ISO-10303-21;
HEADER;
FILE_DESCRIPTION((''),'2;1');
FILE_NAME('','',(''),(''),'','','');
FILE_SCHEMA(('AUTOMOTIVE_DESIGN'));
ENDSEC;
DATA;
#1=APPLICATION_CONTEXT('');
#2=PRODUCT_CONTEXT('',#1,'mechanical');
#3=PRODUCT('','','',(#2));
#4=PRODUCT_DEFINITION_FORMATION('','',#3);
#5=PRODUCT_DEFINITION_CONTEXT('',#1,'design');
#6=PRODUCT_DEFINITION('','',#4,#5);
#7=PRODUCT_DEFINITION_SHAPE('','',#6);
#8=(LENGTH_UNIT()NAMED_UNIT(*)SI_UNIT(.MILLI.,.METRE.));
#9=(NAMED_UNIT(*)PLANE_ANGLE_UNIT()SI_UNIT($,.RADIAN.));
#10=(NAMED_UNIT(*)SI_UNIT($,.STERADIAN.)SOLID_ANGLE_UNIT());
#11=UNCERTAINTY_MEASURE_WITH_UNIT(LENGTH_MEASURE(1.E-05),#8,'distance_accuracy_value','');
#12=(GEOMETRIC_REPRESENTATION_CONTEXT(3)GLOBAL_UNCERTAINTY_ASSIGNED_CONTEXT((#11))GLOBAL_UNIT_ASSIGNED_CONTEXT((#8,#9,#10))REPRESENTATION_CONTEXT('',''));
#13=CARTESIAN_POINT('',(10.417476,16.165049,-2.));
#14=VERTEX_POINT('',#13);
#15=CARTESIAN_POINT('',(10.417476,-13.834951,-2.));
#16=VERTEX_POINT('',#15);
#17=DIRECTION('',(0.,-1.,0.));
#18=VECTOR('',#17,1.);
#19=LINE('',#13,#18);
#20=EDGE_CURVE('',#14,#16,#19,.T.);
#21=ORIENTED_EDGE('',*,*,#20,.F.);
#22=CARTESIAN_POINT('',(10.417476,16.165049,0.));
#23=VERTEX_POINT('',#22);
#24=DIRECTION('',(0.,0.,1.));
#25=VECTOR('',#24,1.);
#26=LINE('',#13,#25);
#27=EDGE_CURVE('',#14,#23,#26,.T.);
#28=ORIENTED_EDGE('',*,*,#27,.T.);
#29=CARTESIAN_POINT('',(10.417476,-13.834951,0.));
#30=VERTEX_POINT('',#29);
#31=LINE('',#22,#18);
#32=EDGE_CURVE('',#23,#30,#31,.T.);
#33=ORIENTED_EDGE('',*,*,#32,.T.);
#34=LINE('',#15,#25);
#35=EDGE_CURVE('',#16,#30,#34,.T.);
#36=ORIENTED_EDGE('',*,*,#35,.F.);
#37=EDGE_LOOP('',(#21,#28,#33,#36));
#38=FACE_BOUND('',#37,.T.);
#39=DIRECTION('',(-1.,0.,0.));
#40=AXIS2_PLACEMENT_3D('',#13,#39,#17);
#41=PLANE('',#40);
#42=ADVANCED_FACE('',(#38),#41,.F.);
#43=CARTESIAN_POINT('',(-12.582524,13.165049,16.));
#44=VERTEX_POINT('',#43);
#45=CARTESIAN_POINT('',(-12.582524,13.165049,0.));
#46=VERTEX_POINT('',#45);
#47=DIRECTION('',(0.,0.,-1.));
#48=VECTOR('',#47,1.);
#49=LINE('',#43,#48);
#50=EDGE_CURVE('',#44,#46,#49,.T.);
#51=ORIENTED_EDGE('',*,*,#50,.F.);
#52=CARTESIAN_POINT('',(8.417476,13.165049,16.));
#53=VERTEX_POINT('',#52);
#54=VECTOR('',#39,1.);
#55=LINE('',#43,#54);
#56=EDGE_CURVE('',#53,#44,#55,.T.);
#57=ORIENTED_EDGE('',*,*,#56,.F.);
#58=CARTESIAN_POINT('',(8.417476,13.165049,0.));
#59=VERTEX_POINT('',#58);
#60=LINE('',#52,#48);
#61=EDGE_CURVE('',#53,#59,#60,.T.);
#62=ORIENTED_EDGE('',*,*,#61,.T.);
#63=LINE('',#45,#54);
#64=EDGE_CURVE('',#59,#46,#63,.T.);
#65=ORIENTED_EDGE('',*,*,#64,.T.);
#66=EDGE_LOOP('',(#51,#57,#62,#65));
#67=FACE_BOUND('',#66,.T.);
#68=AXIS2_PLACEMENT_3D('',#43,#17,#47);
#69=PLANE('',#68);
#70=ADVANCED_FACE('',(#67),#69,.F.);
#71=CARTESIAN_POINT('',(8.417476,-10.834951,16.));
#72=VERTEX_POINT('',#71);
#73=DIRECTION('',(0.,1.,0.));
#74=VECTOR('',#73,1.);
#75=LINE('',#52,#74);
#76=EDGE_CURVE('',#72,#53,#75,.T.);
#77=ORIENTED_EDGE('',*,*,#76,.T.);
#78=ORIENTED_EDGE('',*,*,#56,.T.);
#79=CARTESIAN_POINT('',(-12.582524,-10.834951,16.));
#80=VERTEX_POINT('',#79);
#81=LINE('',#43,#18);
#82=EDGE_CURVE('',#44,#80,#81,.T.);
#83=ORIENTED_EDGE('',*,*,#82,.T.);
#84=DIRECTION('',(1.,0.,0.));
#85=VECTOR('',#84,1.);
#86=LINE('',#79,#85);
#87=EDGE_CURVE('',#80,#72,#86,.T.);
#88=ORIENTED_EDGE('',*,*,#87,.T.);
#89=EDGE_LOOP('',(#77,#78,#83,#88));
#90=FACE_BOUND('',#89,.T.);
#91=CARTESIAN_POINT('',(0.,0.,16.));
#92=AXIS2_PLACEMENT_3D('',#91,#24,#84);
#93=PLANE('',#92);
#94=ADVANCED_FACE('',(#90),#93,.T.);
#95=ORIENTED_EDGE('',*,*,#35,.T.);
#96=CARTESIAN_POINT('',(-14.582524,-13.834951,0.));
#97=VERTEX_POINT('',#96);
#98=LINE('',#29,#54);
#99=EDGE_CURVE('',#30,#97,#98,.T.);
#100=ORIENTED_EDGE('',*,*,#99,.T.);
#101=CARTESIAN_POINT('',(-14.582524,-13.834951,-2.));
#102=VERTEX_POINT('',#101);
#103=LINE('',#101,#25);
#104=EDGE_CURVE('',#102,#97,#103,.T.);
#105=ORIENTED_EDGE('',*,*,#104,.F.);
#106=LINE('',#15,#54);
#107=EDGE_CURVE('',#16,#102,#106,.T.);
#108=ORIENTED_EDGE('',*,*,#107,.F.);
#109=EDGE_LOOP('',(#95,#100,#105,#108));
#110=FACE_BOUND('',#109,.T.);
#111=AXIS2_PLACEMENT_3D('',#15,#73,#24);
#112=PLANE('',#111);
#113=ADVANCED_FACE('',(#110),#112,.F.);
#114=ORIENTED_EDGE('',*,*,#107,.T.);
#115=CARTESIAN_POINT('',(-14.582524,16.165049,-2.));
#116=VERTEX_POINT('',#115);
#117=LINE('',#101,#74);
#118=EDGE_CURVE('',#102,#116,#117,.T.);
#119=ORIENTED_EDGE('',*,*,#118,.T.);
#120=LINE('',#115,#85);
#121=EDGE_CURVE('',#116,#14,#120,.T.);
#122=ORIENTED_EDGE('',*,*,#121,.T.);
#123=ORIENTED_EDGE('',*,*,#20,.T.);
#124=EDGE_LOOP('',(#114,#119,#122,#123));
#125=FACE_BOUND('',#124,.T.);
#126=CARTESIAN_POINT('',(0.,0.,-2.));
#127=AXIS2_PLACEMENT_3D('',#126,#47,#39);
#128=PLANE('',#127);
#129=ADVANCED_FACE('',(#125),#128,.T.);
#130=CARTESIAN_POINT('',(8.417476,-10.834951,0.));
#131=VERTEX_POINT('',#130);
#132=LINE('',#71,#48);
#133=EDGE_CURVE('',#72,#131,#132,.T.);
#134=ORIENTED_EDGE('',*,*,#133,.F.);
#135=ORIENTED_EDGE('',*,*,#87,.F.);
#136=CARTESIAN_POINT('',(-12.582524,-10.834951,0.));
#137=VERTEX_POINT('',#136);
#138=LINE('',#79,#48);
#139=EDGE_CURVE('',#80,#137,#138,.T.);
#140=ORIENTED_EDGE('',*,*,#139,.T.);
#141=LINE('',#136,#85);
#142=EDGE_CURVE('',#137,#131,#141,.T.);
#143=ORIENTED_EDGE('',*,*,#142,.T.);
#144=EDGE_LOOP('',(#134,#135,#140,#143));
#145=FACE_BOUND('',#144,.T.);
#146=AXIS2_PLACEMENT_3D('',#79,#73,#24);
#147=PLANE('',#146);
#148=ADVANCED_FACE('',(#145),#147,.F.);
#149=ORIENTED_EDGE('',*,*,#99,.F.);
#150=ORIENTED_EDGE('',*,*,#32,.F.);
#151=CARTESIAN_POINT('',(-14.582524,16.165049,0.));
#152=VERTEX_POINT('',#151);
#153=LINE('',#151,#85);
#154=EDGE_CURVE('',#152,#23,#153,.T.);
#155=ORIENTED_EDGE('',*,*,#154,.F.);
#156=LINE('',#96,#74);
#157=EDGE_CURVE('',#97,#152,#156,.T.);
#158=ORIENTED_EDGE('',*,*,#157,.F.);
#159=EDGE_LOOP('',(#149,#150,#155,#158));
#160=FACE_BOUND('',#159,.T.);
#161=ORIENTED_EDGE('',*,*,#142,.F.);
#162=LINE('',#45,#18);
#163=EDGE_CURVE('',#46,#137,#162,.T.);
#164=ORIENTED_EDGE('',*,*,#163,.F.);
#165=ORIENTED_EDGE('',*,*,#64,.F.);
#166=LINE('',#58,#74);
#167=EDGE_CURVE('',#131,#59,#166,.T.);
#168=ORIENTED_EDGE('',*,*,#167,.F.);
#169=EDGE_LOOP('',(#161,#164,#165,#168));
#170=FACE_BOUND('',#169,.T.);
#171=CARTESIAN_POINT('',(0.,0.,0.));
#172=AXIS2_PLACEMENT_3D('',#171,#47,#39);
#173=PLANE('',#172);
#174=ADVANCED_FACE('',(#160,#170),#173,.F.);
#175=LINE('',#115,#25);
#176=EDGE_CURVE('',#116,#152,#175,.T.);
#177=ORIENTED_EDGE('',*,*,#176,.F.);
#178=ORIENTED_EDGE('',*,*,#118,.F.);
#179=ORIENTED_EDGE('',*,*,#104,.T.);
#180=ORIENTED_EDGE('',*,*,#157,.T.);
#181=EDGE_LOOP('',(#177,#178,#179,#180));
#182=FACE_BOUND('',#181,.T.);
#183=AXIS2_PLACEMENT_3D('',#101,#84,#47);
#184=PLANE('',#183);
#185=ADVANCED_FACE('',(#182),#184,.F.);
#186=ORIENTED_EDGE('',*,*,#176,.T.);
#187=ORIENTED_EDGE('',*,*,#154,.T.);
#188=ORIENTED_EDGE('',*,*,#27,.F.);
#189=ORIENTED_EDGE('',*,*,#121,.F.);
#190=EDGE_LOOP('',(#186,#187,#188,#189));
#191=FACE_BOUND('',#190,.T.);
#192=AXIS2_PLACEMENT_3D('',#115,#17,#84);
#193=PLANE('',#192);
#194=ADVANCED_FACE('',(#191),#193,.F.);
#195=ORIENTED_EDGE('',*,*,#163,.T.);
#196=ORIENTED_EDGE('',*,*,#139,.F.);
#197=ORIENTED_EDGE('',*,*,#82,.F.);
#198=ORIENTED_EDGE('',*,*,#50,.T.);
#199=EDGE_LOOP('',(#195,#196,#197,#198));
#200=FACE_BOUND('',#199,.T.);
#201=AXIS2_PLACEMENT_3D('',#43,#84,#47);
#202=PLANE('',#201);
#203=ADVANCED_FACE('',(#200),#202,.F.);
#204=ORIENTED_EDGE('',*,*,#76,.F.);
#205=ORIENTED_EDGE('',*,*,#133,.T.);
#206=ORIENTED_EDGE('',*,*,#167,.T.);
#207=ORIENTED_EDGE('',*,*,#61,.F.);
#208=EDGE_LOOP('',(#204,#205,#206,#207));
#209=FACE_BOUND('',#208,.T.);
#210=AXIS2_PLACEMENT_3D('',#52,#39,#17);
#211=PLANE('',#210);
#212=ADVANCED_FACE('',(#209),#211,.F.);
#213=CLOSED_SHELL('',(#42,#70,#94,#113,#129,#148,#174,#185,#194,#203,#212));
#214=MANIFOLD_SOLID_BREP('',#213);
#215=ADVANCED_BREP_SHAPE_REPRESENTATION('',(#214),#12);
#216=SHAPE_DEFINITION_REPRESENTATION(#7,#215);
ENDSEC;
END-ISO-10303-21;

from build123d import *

# Parameters (mm, degrees)
SKETCH1_W           = 21
SKETCH1_H           = 24
BOSS_EXTRUDE1_DEPTH = 16
SKETCH2_W           = 25
SKETCH2_H           = 30
BOSS_EXTRUDE2_DEPTH = 2


with BuildPart() as part:
    # Sketch1 → Boss-Extrude1 (new body)
    with BuildSketch(Plane.XY):
        with Locations((-2.082524272, 1.165048544)):
            Rectangle(SKETCH1_W, SKETCH1_H)
    extrude(amount=BOSS_EXTRUDE1_DEPTH)

    # Sketch2 → Boss-Extrude2 (add)
    with BuildSketch(Plane(origin=(0, 0, 0), x_dir=(-1, 0, 0), z_dir=(0, 0, -1))):
        with Locations((2.082524272, 1.165048544)):
            Rectangle(SKETCH2_W, SKETCH2_H)
    extrude(amount=BOSS_EXTRUDE2_DEPTH)


solid = part.part
